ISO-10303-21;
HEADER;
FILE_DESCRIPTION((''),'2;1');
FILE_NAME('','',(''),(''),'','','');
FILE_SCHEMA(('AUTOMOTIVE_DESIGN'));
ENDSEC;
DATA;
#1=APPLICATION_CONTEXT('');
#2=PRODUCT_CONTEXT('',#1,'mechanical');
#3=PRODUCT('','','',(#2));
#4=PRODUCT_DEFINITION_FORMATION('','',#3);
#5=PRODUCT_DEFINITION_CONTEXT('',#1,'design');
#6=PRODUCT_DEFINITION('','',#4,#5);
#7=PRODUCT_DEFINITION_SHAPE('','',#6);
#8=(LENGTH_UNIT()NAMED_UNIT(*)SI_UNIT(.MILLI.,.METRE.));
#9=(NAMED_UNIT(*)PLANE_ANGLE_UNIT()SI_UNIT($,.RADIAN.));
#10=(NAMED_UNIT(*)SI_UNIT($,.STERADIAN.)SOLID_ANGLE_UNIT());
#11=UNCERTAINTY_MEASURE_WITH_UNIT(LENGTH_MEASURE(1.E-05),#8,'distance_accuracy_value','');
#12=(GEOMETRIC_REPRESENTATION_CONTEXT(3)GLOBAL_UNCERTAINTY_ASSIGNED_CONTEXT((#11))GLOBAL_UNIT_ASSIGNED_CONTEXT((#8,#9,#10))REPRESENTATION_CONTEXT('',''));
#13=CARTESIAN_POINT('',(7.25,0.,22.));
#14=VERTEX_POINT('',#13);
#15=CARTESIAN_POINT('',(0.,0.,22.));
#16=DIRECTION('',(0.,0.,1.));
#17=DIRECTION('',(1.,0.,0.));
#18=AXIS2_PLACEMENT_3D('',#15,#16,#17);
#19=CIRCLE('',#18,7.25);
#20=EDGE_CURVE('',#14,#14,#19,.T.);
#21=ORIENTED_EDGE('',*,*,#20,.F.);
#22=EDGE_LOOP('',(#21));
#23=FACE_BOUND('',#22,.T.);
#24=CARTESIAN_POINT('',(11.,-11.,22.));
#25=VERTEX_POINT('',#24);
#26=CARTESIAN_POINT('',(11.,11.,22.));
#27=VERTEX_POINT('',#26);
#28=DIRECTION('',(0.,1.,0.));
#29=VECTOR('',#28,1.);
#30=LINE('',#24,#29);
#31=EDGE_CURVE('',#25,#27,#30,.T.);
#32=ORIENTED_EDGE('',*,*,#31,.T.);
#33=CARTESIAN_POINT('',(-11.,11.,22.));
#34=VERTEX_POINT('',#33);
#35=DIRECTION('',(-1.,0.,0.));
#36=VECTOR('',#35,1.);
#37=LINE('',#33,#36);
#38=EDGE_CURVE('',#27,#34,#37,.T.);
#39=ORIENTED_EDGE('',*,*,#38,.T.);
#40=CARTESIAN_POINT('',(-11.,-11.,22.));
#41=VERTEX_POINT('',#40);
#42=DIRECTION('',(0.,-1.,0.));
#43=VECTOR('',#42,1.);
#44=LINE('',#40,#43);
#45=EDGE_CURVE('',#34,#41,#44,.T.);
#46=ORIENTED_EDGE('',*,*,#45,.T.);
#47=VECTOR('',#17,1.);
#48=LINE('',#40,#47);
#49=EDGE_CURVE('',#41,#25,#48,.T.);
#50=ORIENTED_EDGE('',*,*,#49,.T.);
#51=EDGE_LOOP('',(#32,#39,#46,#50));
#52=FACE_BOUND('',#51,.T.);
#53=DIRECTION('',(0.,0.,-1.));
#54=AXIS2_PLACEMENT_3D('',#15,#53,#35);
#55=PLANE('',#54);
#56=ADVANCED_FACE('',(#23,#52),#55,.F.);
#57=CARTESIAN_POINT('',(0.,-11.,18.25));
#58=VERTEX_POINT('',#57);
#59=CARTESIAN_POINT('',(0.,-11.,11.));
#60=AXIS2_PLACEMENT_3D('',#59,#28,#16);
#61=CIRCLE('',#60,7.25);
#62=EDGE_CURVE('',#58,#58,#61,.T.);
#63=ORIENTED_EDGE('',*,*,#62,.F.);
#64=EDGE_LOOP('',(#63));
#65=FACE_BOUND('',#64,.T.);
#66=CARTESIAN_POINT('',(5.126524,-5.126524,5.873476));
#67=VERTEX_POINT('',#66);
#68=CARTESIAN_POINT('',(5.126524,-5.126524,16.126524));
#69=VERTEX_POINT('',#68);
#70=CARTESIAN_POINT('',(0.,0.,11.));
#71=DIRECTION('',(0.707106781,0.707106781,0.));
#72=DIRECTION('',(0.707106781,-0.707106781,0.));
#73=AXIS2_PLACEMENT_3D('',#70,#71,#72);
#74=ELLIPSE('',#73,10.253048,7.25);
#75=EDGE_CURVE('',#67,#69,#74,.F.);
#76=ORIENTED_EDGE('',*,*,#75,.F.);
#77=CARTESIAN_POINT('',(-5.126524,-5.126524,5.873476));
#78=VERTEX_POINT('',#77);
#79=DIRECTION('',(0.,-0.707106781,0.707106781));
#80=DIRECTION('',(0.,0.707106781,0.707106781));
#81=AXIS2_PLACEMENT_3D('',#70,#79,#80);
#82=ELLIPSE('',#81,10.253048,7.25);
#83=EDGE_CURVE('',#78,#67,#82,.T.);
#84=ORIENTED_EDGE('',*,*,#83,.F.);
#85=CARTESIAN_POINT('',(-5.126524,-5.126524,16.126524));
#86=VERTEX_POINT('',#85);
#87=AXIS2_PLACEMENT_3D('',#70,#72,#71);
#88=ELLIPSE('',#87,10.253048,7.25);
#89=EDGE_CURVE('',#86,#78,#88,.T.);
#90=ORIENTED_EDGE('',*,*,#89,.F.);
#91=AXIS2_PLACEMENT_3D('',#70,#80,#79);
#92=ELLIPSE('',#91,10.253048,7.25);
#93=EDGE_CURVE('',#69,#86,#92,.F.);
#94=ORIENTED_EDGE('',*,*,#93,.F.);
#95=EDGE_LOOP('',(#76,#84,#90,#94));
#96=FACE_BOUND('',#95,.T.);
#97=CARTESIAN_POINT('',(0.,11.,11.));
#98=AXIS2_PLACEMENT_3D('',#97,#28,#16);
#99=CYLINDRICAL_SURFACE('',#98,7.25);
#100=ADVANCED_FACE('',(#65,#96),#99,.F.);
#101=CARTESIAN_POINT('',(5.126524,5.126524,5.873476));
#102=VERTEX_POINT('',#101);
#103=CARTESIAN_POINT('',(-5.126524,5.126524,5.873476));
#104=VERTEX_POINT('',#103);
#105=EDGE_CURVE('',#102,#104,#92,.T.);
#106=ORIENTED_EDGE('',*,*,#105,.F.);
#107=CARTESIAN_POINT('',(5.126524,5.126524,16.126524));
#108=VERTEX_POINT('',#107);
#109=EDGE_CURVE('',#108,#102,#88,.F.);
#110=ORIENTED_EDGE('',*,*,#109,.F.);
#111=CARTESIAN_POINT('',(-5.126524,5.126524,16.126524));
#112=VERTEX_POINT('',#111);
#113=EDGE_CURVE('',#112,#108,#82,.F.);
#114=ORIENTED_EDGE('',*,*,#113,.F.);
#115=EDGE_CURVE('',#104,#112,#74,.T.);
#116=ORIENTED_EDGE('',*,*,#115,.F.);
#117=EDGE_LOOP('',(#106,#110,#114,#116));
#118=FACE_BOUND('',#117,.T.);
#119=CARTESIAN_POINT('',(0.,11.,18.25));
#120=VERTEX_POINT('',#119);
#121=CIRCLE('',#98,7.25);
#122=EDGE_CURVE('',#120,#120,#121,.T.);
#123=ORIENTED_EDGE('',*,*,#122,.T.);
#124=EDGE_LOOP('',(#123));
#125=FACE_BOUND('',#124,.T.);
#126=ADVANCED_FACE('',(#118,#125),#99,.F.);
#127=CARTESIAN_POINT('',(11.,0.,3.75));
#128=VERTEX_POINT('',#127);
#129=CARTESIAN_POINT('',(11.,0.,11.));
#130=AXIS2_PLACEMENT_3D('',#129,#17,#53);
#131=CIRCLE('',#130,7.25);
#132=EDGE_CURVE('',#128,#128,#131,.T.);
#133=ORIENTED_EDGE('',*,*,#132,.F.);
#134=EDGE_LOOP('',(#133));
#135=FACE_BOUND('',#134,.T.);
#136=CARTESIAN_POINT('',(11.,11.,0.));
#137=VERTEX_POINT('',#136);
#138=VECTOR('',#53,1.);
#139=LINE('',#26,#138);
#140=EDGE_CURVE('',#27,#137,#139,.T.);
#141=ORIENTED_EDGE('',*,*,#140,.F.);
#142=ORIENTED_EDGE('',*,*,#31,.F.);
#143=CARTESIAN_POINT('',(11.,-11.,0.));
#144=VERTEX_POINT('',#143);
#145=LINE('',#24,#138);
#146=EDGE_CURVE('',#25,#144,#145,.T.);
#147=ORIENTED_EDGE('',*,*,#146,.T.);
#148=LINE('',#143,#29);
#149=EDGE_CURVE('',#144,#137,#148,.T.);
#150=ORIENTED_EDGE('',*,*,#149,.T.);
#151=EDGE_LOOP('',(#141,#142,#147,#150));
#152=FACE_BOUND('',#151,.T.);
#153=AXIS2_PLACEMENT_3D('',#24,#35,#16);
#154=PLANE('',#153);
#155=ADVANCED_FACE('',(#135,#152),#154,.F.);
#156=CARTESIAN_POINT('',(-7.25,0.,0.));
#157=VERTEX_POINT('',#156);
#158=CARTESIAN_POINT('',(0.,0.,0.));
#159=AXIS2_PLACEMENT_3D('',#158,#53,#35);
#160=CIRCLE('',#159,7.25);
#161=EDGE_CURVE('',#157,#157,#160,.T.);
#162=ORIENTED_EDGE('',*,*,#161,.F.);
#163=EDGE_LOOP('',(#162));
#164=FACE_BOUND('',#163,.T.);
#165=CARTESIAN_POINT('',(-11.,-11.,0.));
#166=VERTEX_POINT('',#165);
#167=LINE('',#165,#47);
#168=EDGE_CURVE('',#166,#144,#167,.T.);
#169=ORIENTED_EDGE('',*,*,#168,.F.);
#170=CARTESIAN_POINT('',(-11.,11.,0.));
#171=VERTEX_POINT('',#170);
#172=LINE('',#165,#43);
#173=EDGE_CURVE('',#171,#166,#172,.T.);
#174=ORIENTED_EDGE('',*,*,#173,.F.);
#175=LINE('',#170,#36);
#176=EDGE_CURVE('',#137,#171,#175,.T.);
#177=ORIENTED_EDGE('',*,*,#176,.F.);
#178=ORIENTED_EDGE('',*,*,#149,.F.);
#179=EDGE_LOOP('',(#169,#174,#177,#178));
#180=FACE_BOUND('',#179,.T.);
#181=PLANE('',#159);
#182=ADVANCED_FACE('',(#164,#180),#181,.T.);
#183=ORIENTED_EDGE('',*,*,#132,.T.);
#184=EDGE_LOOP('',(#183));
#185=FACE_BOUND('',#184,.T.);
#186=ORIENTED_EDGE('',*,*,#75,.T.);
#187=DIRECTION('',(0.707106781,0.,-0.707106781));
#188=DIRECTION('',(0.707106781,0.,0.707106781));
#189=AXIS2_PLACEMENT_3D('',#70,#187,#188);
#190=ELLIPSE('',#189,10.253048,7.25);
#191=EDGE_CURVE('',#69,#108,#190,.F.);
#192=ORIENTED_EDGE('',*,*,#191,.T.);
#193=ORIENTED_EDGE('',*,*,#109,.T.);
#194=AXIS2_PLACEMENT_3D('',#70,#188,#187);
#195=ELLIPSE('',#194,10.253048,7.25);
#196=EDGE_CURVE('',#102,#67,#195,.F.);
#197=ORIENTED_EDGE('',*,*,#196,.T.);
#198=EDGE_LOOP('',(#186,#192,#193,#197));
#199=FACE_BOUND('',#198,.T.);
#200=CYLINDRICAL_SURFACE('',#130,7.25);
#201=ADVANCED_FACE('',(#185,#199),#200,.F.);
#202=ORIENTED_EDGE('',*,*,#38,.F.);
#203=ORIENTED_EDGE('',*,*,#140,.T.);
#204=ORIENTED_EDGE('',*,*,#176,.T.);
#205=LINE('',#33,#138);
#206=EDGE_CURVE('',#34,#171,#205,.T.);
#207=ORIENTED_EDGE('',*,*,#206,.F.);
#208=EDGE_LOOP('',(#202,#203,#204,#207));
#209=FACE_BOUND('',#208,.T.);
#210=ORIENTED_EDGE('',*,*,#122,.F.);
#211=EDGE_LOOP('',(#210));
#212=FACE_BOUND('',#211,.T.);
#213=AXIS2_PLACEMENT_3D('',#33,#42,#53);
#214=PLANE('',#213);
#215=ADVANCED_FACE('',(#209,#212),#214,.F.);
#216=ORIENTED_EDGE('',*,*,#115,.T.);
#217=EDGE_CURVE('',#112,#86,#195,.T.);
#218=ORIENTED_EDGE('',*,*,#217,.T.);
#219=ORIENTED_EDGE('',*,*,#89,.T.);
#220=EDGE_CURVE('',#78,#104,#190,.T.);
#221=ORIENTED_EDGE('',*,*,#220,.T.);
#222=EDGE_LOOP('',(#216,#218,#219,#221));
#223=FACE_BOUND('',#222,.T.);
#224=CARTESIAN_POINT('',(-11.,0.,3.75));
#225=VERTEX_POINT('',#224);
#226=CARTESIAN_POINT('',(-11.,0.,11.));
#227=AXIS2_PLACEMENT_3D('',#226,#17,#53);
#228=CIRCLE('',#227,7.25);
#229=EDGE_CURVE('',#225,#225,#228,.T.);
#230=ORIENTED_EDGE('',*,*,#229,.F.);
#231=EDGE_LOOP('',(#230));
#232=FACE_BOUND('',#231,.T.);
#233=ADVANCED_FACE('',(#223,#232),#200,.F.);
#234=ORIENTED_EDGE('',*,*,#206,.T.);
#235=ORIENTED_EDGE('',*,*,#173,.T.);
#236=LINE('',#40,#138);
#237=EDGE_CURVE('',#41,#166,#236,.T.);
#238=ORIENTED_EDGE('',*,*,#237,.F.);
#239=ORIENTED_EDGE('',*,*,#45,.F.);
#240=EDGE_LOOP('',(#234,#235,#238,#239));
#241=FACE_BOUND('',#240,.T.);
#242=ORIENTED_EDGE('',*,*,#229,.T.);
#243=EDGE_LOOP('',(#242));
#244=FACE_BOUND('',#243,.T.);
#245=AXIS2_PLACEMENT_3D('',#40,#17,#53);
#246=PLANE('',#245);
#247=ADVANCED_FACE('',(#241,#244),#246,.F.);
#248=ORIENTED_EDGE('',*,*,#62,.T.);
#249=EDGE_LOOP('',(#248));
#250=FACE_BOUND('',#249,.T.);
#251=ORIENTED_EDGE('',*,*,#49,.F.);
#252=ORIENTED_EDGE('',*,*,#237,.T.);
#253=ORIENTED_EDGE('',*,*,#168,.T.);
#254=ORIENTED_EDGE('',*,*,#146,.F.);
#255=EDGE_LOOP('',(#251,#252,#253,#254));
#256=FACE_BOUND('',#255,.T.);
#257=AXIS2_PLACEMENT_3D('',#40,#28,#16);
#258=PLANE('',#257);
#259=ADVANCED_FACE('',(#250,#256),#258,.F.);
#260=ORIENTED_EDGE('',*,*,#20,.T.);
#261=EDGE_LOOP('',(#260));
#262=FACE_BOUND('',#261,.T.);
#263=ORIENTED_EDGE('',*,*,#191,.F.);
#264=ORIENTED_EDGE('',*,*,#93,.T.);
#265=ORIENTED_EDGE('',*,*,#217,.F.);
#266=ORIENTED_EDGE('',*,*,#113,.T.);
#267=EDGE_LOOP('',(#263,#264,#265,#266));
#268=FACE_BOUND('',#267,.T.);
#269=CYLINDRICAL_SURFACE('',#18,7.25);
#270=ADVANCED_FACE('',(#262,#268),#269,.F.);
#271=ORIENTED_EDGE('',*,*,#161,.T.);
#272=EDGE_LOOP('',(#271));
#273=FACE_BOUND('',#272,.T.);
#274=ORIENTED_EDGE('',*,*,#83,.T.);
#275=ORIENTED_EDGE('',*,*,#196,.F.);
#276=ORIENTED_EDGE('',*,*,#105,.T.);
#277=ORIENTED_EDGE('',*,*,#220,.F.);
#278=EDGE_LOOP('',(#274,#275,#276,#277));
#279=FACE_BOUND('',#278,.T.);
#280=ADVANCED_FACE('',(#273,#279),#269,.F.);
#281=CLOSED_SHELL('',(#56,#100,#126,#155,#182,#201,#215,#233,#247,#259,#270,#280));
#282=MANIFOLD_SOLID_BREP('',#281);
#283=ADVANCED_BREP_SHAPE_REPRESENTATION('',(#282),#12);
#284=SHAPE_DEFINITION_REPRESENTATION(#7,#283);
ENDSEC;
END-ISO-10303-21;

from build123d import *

# Parameters (mm, degrees)
ESQUISSE1_W                 = 22
ESQUISSE1_H                 = 22
BOSS_EXTRU_1_DEPTH          = 22
D_GAGEMENT_M131_D           = 14.5
D_GAGEMENT_M131_ON_FACE_2_D = 14.5
D_GAGEMENT_M131_ON_FACE_3_D = 14.5


with BuildPart() as part:
    # Esquisse1 → Boss.-Extru.1 (new body)
    with BuildSketch(Plane.XY):
        Rectangle(ESQUISSE1_W, ESQUISSE1_H)
    extrude(amount=BOSS_EXTRU_1_DEPTH)

    # Dégagement M131 (through all)
    with Locations(Plane(origin=(0, 11, 11), x_dir=(0, 0, 1), z_dir=(0, 1, 0))):
        with Locations((0, 0)):
            Hole(D_GAGEMENT_M131_D / 2)

    # Dégagement M131 on face 2 (through all)
    with Locations(Plane.XY.offset(22)):
        with Locations((0, 0)):
            Hole(D_GAGEMENT_M131_ON_FACE_2_D / 2)

    # Dégagement M131 on face 3 (through all)
    with Locations(Plane(origin=(11, 0, 11), x_dir=(0, 0, 1), z_dir=(1, 0, 0))):
        with Locations((0, 0)):
            Hole(D_GAGEMENT_M131_ON_FACE_3_D / 2)


solid = part.part
